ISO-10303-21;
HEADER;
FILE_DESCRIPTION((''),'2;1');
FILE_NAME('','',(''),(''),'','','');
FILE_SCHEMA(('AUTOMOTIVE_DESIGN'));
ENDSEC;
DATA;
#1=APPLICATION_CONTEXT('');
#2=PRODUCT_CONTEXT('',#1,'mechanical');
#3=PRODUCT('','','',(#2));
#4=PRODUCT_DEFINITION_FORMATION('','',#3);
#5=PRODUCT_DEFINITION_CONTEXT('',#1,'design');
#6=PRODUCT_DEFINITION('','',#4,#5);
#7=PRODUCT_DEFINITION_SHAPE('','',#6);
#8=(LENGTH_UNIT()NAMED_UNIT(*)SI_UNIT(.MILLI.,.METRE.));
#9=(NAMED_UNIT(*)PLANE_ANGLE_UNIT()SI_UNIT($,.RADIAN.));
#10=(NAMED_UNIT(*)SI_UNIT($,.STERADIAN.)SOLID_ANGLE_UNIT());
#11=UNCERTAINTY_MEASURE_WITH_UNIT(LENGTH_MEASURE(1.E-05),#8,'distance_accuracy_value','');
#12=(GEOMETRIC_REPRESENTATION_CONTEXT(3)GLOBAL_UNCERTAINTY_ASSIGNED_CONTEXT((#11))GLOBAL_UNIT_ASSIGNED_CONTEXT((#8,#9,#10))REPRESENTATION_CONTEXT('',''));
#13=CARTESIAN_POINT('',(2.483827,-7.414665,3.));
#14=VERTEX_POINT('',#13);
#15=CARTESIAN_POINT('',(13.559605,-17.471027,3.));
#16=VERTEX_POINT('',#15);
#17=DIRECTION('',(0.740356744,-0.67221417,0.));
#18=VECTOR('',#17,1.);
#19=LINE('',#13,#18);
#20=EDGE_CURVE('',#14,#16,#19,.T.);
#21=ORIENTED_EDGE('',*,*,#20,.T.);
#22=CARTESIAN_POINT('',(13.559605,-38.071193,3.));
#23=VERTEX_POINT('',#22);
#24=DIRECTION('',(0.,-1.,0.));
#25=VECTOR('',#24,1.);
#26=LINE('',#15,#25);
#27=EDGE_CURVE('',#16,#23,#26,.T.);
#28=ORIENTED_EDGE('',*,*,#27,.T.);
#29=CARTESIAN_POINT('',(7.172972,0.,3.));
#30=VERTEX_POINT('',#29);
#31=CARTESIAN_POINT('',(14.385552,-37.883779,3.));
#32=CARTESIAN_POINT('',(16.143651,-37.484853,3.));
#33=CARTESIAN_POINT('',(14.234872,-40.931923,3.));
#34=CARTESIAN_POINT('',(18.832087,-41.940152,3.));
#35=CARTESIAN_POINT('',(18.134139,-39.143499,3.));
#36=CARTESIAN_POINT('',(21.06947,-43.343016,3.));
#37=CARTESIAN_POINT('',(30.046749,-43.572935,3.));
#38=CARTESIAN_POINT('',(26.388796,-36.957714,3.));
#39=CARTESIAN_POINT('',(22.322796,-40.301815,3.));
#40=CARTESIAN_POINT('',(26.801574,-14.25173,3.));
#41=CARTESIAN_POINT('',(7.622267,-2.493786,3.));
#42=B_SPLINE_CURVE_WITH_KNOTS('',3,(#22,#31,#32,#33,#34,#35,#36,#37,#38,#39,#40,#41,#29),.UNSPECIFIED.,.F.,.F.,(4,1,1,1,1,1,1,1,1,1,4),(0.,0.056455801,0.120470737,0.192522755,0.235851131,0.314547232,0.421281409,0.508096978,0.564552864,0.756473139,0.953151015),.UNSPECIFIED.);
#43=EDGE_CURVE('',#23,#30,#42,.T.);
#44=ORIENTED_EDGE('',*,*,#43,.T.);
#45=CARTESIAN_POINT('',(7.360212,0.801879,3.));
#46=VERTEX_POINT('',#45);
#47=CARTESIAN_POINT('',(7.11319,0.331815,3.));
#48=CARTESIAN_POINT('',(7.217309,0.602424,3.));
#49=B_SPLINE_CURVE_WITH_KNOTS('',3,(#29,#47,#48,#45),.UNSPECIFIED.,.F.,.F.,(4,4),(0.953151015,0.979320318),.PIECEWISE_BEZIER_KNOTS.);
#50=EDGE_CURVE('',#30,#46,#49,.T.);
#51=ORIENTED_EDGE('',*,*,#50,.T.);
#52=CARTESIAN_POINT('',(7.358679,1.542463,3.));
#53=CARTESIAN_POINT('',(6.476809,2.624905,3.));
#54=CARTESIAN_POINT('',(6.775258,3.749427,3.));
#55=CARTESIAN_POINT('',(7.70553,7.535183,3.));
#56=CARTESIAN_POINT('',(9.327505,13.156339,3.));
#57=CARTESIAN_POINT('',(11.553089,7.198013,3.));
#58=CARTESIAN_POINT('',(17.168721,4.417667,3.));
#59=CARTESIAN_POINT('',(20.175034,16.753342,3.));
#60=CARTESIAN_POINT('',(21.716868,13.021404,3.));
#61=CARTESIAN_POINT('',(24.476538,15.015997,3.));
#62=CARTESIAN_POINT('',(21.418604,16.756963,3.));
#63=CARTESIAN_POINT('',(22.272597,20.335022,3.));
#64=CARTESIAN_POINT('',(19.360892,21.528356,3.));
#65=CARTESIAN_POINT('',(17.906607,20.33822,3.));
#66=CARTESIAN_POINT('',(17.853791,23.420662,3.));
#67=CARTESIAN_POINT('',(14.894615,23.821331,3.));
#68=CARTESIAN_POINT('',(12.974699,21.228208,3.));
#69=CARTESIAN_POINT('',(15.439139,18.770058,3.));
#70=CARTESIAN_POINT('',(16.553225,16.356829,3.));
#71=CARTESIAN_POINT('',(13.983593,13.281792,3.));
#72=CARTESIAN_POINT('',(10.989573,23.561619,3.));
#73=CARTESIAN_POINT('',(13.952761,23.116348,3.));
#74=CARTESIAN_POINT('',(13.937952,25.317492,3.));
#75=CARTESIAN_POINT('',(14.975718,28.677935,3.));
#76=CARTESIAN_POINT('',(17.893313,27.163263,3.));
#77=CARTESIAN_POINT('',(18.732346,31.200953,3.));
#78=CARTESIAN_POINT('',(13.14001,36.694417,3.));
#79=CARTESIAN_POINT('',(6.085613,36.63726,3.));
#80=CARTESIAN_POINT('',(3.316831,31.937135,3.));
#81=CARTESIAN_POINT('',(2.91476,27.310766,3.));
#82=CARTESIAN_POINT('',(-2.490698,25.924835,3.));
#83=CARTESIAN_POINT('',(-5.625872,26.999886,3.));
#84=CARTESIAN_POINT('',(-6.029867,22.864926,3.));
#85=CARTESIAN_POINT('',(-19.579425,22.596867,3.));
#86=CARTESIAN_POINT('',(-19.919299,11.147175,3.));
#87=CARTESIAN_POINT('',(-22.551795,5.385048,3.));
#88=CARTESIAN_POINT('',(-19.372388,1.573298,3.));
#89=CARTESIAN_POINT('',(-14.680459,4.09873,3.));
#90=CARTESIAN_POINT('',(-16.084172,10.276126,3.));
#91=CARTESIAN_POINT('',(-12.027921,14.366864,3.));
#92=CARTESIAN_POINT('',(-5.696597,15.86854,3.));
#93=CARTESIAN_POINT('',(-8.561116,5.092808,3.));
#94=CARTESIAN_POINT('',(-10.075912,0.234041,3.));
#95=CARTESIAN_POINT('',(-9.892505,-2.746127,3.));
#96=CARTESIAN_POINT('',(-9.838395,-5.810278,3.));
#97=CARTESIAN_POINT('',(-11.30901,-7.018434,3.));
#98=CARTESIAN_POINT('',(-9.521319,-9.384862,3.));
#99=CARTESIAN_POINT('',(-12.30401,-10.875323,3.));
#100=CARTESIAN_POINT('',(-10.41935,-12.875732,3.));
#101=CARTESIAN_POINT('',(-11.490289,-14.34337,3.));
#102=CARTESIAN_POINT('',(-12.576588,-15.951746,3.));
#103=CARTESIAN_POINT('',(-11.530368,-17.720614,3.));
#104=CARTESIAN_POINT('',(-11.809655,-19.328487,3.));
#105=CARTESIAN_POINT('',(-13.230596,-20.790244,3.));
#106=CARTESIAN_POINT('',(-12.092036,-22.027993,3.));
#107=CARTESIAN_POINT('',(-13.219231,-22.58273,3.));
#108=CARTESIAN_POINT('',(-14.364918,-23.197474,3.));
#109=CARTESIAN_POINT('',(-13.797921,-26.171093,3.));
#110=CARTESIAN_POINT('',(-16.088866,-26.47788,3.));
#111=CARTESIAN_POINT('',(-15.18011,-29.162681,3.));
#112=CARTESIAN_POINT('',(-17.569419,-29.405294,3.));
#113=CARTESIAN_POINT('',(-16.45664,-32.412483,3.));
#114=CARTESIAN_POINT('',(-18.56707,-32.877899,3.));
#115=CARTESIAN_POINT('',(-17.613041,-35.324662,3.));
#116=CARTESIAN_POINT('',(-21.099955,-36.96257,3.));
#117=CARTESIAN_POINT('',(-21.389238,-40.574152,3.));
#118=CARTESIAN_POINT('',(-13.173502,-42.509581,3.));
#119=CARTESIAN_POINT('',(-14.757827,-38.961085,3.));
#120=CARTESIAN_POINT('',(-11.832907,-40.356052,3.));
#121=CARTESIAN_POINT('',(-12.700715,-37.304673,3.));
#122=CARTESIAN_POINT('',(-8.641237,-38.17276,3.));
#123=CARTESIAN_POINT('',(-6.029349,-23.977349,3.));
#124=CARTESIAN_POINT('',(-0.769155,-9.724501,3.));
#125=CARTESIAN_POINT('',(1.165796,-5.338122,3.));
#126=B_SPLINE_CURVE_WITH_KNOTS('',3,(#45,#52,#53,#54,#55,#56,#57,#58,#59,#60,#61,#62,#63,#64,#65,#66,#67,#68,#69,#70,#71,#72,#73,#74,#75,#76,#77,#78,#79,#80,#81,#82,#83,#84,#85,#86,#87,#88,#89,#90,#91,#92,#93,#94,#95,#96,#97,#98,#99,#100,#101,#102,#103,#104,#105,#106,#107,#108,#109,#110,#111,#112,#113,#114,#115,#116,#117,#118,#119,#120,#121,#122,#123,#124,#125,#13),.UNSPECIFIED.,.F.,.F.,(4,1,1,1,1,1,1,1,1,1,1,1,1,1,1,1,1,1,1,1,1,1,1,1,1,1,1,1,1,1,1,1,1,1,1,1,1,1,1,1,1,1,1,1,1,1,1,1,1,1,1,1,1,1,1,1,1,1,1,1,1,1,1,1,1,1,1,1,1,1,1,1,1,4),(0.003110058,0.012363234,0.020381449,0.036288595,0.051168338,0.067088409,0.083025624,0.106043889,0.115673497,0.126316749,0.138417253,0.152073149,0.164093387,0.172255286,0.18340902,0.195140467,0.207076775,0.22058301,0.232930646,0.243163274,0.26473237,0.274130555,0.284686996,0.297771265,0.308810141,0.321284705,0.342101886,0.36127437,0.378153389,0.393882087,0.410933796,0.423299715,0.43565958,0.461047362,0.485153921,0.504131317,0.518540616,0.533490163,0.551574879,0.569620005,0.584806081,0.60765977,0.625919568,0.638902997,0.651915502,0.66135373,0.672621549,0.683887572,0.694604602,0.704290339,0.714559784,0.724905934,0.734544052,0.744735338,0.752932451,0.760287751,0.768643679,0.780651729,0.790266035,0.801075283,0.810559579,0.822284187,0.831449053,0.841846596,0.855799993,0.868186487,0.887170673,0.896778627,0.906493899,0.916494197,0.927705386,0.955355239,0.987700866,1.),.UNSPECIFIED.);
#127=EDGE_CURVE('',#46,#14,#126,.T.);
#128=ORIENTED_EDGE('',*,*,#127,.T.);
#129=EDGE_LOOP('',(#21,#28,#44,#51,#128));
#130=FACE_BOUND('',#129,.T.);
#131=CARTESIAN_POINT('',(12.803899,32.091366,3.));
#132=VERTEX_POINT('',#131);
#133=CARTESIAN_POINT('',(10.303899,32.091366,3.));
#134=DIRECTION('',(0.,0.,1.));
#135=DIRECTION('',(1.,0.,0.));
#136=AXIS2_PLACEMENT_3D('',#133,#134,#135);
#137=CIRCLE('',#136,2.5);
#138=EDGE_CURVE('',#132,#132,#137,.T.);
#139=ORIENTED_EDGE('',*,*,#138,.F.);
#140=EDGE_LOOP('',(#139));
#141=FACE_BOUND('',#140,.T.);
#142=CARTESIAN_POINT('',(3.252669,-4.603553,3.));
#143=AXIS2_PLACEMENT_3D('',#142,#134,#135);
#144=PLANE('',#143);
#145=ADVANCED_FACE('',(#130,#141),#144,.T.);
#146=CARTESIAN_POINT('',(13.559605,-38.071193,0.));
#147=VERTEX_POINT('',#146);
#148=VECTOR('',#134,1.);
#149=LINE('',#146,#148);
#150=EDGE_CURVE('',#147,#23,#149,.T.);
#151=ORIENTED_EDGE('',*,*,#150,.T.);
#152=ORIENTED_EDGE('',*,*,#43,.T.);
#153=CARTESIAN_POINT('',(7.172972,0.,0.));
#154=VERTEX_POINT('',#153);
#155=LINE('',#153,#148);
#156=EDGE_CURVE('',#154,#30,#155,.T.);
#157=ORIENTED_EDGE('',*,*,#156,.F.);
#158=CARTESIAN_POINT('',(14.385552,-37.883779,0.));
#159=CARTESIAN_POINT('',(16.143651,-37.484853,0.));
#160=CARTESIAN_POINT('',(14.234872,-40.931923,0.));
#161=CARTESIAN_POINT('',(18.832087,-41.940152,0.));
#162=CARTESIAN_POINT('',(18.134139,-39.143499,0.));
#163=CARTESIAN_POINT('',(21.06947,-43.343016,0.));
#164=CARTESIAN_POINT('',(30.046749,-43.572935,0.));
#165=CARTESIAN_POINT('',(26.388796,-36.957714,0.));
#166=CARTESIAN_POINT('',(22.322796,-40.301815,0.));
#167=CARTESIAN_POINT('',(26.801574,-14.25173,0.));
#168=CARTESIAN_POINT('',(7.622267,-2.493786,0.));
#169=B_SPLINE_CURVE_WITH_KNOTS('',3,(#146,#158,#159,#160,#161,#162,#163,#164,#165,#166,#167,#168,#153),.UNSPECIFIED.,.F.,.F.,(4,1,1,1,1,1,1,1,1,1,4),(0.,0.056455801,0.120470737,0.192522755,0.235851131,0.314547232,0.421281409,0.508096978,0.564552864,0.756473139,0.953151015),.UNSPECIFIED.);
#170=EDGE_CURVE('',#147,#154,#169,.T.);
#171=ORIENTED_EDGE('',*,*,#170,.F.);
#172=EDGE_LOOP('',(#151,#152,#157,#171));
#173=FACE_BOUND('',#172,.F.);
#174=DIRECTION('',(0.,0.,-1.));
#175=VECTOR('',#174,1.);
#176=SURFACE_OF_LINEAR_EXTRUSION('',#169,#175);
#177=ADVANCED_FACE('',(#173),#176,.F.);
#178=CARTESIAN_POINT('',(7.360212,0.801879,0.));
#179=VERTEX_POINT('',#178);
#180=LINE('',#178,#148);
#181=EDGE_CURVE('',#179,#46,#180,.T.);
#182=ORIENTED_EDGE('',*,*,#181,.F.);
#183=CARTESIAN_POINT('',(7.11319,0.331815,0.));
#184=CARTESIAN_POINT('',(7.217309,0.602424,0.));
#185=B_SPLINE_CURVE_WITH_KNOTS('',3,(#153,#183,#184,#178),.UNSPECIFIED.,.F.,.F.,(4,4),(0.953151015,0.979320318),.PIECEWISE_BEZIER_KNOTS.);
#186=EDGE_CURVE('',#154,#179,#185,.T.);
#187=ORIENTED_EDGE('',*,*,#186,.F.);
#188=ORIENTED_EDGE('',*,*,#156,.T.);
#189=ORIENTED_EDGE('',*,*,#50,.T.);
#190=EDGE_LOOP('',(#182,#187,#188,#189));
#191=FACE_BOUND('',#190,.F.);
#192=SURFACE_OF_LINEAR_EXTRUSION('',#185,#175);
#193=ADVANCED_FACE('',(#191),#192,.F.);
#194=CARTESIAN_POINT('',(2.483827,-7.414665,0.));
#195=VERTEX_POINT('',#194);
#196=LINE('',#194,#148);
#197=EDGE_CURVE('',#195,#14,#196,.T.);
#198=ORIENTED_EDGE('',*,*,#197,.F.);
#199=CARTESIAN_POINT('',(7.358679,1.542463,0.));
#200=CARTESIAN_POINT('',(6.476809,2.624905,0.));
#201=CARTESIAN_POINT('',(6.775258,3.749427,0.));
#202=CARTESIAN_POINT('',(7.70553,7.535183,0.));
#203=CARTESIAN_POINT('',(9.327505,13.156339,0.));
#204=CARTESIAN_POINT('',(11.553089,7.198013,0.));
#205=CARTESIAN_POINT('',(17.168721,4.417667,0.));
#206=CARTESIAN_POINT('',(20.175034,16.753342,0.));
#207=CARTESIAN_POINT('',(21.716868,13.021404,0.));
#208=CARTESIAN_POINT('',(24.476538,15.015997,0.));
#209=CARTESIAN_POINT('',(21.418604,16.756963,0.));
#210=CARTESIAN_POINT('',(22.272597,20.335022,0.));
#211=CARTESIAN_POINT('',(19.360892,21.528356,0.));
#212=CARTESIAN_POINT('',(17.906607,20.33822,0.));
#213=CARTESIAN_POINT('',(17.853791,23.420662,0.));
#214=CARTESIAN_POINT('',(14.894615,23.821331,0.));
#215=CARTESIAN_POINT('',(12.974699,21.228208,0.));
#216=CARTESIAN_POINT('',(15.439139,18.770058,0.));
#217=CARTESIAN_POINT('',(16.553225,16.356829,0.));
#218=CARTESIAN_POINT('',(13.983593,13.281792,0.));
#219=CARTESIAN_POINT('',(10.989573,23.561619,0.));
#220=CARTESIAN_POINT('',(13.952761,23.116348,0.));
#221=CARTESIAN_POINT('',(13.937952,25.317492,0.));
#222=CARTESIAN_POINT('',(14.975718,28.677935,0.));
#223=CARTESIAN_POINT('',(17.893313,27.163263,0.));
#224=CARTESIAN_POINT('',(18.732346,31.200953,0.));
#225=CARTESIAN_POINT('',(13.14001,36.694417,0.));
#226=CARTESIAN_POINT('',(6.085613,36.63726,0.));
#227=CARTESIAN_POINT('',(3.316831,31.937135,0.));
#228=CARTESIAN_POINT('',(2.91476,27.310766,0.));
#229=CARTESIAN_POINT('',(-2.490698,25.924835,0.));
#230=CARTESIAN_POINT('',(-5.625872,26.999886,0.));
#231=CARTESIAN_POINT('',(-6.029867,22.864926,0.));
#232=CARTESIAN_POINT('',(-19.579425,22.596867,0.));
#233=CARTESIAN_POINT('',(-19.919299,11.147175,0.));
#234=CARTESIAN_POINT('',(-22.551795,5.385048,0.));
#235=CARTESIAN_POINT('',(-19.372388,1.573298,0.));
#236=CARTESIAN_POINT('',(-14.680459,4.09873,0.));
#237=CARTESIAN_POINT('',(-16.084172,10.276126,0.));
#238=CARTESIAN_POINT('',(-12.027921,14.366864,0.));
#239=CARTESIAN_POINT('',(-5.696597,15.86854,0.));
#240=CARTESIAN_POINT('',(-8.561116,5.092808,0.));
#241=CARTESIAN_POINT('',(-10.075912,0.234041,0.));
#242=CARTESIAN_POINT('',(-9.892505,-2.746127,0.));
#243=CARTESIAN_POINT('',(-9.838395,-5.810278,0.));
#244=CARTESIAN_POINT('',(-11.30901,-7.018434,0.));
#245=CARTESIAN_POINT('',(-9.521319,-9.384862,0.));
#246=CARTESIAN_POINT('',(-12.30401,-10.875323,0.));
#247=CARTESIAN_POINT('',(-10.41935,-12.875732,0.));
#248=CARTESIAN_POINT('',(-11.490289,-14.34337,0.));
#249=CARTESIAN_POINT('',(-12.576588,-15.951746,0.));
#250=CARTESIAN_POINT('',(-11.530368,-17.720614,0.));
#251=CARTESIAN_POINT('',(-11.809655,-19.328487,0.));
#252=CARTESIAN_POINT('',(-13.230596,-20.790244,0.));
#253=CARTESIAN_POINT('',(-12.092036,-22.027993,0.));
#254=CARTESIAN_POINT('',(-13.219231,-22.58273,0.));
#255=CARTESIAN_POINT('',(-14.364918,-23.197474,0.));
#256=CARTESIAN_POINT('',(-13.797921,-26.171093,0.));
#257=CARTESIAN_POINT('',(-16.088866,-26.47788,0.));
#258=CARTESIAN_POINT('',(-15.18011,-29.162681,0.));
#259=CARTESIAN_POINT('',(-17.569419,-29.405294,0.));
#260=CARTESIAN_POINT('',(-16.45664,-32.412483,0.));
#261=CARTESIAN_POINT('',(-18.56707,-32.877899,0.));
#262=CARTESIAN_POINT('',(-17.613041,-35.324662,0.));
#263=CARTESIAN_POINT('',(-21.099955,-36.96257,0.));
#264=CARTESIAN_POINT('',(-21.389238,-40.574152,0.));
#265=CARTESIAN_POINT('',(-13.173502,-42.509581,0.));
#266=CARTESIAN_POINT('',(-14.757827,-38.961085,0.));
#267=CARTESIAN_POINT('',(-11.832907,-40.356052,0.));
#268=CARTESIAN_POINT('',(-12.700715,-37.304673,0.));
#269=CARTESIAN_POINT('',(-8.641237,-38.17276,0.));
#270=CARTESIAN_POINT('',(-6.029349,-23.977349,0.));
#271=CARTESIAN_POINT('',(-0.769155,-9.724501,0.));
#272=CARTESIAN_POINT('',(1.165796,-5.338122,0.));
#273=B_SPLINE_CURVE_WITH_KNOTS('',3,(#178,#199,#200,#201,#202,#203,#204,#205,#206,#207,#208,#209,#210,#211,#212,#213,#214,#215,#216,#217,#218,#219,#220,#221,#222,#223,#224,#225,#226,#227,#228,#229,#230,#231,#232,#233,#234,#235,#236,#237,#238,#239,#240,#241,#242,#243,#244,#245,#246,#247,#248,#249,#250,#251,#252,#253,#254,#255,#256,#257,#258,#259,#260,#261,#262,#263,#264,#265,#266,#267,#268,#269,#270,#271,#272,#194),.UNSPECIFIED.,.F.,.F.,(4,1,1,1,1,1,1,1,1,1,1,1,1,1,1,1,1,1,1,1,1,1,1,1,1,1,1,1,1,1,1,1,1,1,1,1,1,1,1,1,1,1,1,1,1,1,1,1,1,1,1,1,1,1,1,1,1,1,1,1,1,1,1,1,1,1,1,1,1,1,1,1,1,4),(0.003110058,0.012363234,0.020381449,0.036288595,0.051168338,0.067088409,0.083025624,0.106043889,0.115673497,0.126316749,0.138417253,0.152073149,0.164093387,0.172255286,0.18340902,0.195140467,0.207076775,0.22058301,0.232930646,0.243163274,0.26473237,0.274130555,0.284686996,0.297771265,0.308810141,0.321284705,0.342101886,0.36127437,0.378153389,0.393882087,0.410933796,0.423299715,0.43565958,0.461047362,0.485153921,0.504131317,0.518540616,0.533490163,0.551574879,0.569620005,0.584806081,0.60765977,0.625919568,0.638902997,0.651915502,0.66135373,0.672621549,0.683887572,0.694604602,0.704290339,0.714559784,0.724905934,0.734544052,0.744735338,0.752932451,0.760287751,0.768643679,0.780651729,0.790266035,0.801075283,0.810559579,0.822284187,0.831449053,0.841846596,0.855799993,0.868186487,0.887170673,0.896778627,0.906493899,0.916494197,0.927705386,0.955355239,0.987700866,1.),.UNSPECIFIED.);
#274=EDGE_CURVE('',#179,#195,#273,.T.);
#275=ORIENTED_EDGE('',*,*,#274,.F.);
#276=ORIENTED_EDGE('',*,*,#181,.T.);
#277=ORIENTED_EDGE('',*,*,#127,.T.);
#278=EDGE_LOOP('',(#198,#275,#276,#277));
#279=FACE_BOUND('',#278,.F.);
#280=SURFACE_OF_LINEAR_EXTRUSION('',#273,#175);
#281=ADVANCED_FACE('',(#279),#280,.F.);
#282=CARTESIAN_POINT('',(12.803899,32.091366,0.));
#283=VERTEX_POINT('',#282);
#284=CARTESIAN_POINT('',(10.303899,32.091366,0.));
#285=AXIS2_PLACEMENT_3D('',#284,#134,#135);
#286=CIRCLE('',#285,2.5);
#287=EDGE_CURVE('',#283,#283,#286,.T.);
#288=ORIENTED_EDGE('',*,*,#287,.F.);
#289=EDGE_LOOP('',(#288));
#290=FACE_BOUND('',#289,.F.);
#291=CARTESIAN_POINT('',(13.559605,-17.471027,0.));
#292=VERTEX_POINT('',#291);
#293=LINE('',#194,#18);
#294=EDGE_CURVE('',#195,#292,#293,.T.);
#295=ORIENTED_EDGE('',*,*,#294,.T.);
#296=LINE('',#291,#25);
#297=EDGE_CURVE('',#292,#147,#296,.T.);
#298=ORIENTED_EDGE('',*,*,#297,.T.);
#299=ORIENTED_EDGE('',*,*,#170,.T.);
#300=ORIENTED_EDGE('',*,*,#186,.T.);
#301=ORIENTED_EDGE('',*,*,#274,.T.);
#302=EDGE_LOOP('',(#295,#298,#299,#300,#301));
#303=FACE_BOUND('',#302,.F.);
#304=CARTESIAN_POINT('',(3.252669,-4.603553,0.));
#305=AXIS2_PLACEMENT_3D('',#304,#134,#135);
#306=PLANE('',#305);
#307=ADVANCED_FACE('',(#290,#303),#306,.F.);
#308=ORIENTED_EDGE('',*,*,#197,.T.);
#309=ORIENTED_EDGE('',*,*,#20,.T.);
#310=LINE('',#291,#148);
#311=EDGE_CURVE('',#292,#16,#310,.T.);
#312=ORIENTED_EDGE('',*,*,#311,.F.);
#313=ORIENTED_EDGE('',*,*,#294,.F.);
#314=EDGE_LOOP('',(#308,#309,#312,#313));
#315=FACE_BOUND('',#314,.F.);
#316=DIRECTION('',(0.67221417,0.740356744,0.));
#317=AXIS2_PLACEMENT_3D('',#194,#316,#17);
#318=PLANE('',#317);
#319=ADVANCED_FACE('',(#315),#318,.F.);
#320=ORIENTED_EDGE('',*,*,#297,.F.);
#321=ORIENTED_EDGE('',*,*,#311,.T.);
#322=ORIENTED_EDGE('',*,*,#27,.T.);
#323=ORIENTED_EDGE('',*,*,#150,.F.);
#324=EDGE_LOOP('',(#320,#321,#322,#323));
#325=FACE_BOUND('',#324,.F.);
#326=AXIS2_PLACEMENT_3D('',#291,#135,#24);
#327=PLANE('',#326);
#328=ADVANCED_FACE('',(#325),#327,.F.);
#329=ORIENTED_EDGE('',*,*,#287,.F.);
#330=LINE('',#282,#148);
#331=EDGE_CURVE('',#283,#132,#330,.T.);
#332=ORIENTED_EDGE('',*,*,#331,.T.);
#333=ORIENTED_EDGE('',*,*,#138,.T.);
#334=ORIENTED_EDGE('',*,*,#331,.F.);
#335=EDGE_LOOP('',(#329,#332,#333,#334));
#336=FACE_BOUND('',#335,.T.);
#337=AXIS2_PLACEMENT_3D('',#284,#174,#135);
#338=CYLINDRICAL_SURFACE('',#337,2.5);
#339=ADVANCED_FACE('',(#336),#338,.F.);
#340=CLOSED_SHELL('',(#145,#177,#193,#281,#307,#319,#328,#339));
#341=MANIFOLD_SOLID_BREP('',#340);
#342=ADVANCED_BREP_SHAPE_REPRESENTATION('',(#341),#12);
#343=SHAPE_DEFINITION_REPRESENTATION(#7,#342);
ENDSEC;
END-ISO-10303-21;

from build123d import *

# Parameters (mm, degrees)
F0_R     = 2.5
F1_DEPTH = 3


with BuildPart() as f1:
    # F0 (on Top) → F1 (new body)
    with BuildSketch(Plane.XY):
        with BuildLine():
            add(Edge.make_bspline(
                [(13.559604995, -38.071192801), (14.385552219, -37.8837790612), (16.1436514001, -37.4848526167), (14.2348716829, -40.931922783), (18.8320874427, -41.9401520213), (18.1341390247, -39.1434991145), (21.0694698272, -43.3430159383), (30.0467491443, -43.5729351569), (26.388795742, -36.9577144002), (22.322796067, -40.3018150227), (26.8015743577, -14.2517304378), (7.6222673568, -2.4937863949), (7.1729719639, 0)],
                knots=[0, 0, 0, 0, 0.0564558005, 0.1204707373, 0.1925227547, 0.2358511314, 0.3145472315, 0.4212814088, 0.5080969775, 0.5645528644, 0.7564731395, 0.9531510152, 0.9531510152, 0.9531510152, 0.9531510152], degree=3))
            add(Edge.make_bspline(
                [(7.1729719639, 0), (7.1131902155, 0.3318149111), (7.2173086368, 0.6024239632), (7.3602118694, 0.8018787941)],
                knots=[0.9531510152, 0.9531510152, 0.9531510152, 0.9531510152, 0.9793203182, 0.9793203182, 0.9793203182, 0.9793203182], degree=3))
            add(Edge.make_bspline(
                [(7.3602118694, 0.8018787941), (7.3586792131, 1.5424625581), (6.4768085021, 2.624904812), (6.7752576128, 3.7494265365), (7.7055298646, 7.5351825138), (9.3275045265, 13.1563394704), (11.5530888342, 7.1980126084), (17.168721086, 4.4176673715), (20.1750339596, 16.7533423339), (21.7168679517, 13.0214044123), (24.476537642, 15.015996958), (21.418603677, 16.7569634165), (22.2725966444, 20.3350224192), (19.3608916815, 21.5283558572), (17.9066066687, 20.3382203383), (17.8537905571, 23.4206619644), (14.8946154487, 23.8213307853), (12.9746989604, 21.2282082107), (15.4391385002, 18.7700579589), (16.5532254179, 16.3568287497), (13.9835930543, 13.2817923163), (10.9895734347, 23.5616193284), (13.9527605108, 23.1163477199), (13.9379524973, 25.3174919116), (14.9757181791, 28.6779350674), (17.8933130683, 27.1632634589), (18.7323462235, 31.2009525675), (13.1400103071, 36.6944173064), (6.0856131695, 36.6372595656), (3.316831377, 31.9371346145), (2.9147597093, 27.3107660308), (-2.4906982988, 25.9248352399), (-5.625871993, 26.9998864696), (-6.0298669859, 22.8649261938), (-19.5794253287, 22.5968672796), (-19.9192994228, 11.1471754253), (-22.5517947394, 5.3850475007), (-19.3723878938, 1.573298029), (-14.6804585816, 4.0987300468), (-16.0841720145, 10.2761263781), (-12.027921377, 14.3668640886), (-5.6965966058, 15.8685401017), (-8.561116311, 5.09280825), (-10.0759123801, 0.2340408045), (-9.8925052419, -2.7461265203), (-9.8383949808, -5.8102784572), (-11.3090096622, -7.0184336983), (-9.5213191375, -9.3848619057), (-12.3040101666, -10.875323225), (-10.4193496002, -12.875731505), (-11.4902890661, -14.3433702222), (-12.576588246, -15.9517455209), (-11.5303684878, -17.7206136992), (-11.8096548461, -19.3284873925), (-13.2305958273, -20.7902438754), (-12.0920363344, -22.027993421), (-13.2192308425, -22.58272999), (-14.3649179139, -23.1974735942), (-13.7979206983, -26.1710929311), (-16.0888660156, -26.4778798953), (-15.1801103986, -29.1626811512), (-17.5694186163, -29.4052940976), (-16.4566402087, -32.4124826964), (-18.5670704057, -32.8778991146), (-17.613040605, -35.3246619616), (-21.099954781, -36.962570329), (-21.3892381333, -40.5741524377), (-13.1735023832, -42.5095808018), (-14.7578267838, -38.9610852331), (-11.8329068221, -40.3560515622), (-12.700715204, -37.3046734375), (-8.6412372115, -38.1727601849), (-6.0293486521, -23.9773489415), (-0.7691548337, -9.7245005927), (1.1657961408, -5.3381223268), (2.4838267996, -7.4146651408)],
                knots=[0.0031100576, 0.0031100576, 0.0031100576, 0.0031100576, 0.0123632344, 0.0203814491, 0.0362885947, 0.051168338, 0.0670884087, 0.0830256244, 0.1060438891, 0.1156734972, 0.1263167493, 0.138417253, 0.1520731491, 0.164093387, 0.172255286, 0.1834090205, 0.1951404672, 0.2070767754, 0.2205830099, 0.2329306458, 0.2431632743, 0.2647323703, 0.2741305545, 0.2846869964, 0.2977712653, 0.3088101411, 0.3212847053, 0.3421018863, 0.3612743699, 0.3781533893, 0.3938820871, 0.4109337957, 0.4232997149, 0.4356595801, 0.4610473618, 0.4851539211, 0.504131317, 0.5185406156, 0.533490163, 0.5515748795, 0.5696200048, 0.5848060806, 0.6076597696, 0.6259195683, 0.6389029965, 0.6519155021, 0.6613537299, 0.6726215491, 0.6838875723, 0.6946046018, 0.7042903391, 0.7145597839, 0.7249059338, 0.7345440515, 0.7447353379, 0.752932451, 0.7602877506, 0.7686436789, 0.7806517292, 0.7902660346, 0.8010752828, 0.8105595786, 0.8222841874, 0.8314490531, 0.8418465964, 0.8557999932, 0.8681864872, 0.8871706734, 0.8967786274, 0.9064938988, 0.9164941971, 0.9277053862, 0.9553552393, 0.9877008655, 1, 1, 1, 1], degree=3))
            Line((2.4838267996, -7.4146651408), (13.559604995, -17.4710266292))
            Line((13.559604995, -17.4710266292), (13.559604995, -38.071192801))
        make_face()
        with Locations((10.3038991174, 32.0913662147)):
            Circle(F0_R, mode=Mode.SUBTRACT)
    extrude(amount=F1_DEPTH)


solid = f1.part
